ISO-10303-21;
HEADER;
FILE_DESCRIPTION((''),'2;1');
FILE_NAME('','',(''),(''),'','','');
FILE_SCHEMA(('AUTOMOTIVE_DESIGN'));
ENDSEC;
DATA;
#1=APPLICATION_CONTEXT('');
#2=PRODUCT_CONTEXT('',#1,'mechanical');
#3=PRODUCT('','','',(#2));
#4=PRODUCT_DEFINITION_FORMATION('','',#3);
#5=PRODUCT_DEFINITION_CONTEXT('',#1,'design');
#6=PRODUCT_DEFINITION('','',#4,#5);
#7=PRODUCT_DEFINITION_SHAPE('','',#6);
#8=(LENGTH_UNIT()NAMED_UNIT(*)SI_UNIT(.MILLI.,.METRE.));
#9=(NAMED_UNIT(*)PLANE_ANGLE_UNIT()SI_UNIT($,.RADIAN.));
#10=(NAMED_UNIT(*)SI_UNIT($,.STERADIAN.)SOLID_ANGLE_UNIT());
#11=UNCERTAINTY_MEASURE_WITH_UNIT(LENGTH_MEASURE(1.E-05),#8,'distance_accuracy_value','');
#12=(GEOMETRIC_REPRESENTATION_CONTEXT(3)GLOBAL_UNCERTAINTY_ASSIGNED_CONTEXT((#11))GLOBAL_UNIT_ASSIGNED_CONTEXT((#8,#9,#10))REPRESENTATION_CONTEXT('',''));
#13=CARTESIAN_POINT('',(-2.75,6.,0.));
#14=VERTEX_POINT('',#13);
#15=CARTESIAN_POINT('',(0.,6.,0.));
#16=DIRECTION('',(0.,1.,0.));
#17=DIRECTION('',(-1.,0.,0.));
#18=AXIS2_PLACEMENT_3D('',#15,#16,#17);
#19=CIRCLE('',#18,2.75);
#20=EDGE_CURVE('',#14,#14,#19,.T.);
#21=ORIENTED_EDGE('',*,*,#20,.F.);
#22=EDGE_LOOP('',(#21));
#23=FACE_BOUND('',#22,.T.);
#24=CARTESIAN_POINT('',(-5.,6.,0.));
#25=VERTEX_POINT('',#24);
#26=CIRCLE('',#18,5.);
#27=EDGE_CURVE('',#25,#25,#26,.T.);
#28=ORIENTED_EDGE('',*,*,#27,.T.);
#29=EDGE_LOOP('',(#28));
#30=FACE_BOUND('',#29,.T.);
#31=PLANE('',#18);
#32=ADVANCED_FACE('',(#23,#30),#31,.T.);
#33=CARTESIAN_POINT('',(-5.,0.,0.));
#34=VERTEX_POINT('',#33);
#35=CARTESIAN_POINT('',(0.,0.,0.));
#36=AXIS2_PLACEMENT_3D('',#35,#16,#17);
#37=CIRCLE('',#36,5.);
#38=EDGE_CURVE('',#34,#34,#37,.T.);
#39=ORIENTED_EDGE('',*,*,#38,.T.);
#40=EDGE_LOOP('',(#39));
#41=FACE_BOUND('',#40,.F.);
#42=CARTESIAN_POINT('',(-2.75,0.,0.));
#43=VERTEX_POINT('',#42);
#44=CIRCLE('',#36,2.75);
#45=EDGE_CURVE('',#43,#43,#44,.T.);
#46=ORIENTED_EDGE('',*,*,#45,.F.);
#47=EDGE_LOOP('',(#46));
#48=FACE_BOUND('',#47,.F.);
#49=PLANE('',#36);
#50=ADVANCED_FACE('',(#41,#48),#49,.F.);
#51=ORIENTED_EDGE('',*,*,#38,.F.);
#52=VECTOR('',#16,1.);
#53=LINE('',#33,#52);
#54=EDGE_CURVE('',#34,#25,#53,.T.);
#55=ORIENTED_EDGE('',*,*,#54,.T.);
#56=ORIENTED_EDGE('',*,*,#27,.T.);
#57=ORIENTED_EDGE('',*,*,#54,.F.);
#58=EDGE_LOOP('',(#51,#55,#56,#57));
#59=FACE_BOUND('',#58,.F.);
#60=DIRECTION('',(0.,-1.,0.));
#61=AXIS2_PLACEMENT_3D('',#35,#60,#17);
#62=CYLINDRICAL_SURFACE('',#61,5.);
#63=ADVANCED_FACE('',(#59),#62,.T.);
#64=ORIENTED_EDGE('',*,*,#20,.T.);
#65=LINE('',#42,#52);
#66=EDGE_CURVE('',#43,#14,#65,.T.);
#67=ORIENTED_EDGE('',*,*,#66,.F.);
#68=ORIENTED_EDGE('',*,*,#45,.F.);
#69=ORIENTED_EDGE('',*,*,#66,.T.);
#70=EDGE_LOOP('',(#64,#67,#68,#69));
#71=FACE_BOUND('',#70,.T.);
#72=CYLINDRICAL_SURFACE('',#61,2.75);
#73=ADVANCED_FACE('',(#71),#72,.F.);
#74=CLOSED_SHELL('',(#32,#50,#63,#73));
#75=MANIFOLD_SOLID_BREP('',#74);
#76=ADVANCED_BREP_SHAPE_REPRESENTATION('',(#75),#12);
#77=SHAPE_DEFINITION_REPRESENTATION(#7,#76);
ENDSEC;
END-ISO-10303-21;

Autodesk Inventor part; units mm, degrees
ref_plane "YZ Plane" through (0, 0, 0) normal (1, 0, 0) x (0, 1, 0)
ref_plane "XZ Plane" through (0, 0, 0) normal (0, 1, 0) x (-1, 0, 0)
ref_plane "XY Plane" through (0, 0, 0) normal (0, 0, 1) x (1, 0, 0)
sketch "Sketch1" plane through (0, 0, 0) normal (0, 1, 0) x (-1, 0, 0)
  circle A0 centre (0, 0) radius 2.75
  circle A1 centre (0, 0) radius 5
  dimension "d0" = 5.5
  dimension "d1" = 10
extrude "Extrusion1" add sketch "Sketch1" along normal blind 6
properties part number "3mm_Spacer"
